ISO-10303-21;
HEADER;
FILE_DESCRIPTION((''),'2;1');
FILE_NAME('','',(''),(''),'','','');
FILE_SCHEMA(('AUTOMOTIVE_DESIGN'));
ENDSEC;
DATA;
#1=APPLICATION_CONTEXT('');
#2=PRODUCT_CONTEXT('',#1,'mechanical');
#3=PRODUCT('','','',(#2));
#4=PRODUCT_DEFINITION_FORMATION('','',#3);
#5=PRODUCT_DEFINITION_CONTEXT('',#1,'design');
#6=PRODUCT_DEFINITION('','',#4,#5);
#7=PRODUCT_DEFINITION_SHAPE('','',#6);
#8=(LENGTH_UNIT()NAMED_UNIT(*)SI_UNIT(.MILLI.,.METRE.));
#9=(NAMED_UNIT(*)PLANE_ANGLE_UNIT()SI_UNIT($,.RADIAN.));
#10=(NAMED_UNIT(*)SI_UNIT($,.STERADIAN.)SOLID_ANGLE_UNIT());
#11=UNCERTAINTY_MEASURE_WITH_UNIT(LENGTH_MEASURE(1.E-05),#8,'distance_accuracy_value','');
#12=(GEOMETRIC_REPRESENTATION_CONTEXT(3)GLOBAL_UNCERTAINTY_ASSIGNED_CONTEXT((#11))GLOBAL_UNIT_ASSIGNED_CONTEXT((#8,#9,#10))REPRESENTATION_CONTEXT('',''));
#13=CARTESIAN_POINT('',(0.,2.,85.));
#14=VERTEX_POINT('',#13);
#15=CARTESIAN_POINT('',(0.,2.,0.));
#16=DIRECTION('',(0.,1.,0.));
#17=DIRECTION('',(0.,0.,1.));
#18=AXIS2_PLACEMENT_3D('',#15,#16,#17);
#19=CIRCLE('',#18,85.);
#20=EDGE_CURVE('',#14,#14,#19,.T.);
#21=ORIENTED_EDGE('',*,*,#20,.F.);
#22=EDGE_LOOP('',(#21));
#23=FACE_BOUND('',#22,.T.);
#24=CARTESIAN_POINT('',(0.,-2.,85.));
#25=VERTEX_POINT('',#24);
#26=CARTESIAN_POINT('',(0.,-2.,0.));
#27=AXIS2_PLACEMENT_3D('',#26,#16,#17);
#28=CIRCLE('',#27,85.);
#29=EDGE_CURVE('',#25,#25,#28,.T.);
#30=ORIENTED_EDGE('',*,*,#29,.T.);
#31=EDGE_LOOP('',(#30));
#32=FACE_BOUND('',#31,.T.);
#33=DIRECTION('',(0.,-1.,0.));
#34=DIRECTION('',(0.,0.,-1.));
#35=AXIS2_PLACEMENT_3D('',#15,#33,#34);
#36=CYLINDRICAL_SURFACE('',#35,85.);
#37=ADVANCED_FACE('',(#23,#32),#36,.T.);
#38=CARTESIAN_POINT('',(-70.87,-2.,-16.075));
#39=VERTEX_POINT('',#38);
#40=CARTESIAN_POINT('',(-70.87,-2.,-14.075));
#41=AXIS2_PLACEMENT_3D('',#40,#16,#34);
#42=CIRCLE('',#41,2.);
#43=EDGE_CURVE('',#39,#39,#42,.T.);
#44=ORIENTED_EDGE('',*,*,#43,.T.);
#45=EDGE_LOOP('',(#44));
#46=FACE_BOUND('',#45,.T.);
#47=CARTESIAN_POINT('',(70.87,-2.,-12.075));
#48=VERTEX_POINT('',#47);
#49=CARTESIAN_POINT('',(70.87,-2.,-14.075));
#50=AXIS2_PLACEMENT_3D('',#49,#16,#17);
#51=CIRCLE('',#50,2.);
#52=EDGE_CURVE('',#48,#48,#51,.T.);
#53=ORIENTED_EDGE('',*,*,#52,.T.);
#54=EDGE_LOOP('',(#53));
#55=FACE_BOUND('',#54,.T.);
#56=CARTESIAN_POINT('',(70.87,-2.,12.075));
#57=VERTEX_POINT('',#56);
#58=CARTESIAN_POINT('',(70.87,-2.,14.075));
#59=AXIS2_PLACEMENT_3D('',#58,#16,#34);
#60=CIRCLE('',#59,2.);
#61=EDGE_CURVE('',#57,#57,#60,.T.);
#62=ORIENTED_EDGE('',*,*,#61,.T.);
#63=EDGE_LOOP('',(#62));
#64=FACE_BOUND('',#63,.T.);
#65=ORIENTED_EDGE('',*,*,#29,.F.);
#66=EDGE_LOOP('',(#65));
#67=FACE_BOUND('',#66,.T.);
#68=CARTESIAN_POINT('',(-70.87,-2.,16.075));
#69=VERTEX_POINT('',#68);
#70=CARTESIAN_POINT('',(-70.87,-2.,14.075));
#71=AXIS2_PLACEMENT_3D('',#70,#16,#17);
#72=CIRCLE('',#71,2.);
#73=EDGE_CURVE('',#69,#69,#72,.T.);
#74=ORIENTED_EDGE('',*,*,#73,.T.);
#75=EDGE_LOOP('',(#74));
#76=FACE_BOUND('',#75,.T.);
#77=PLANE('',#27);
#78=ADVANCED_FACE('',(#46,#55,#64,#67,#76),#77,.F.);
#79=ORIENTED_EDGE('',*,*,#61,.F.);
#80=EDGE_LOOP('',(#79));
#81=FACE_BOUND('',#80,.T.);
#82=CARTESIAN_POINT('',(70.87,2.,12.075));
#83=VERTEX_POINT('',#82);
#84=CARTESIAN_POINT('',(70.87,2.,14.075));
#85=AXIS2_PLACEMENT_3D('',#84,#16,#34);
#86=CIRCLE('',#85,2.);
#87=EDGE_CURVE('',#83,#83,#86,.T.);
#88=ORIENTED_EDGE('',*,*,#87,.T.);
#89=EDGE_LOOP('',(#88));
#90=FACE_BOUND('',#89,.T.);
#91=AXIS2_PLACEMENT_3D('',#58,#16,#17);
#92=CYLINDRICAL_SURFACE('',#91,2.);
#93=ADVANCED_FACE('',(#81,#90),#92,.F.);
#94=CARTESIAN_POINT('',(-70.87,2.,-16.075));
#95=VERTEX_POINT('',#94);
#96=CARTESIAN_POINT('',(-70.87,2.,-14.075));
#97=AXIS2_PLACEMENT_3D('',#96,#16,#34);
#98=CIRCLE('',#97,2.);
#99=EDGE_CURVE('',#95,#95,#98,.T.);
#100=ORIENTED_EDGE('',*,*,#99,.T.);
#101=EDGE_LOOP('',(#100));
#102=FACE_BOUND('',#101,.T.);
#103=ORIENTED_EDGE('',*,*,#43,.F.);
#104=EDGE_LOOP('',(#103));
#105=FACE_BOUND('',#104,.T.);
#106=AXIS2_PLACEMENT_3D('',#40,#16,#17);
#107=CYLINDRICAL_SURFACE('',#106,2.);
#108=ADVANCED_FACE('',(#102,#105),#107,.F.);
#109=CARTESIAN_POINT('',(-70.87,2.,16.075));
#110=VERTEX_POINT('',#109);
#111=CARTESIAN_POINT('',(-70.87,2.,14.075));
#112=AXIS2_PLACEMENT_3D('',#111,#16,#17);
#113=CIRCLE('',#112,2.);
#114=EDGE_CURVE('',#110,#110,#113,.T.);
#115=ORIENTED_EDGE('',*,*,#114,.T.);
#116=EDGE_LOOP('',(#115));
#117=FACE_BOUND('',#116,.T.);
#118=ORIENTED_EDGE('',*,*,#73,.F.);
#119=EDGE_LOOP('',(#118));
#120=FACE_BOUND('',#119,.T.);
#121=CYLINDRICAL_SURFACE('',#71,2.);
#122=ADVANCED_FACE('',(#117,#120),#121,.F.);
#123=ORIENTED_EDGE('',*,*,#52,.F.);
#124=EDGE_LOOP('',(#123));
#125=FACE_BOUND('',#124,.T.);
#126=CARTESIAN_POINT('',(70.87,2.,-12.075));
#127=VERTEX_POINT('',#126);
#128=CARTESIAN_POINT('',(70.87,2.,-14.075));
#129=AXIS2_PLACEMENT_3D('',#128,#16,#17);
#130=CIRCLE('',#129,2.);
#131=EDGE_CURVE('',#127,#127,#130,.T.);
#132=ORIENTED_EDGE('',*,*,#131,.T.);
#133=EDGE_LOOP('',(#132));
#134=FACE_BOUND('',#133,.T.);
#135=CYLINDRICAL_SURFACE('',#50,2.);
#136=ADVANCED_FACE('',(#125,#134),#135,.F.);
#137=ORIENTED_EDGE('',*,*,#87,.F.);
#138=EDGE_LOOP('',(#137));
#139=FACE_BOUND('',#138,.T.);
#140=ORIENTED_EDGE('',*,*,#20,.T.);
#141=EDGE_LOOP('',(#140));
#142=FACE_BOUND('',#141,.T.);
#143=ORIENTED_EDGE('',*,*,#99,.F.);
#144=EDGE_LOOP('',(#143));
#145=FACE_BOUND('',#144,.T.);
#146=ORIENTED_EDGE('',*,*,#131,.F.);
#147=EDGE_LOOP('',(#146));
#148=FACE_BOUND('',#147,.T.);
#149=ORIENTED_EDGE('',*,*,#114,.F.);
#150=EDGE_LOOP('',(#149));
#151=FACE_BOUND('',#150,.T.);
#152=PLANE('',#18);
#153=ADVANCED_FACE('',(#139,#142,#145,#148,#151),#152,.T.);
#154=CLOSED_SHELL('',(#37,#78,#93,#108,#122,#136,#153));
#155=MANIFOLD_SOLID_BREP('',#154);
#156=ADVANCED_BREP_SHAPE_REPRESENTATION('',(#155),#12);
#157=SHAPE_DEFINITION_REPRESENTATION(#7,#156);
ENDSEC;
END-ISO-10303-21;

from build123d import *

# Parameters (mm, degrees)
SKETCH1_R           = 85
BOSS_EXTRUDE1_DEPTH = 2
SKETCH2_R           = 2
CUT_EXTRUDE1_DEPTH  = 121.274685616


with BuildPart() as part:
    # Sketch1 → Boss-Extrude1 (new, symmetric)
    with BuildSketch(Plane(origin=(0, 0, 0), x_dir=(1, 0, 0), z_dir=(0, 1, 0))):
        with Locations(Location((0, 0, 0), (0, 0, 270))):
            Circle(SKETCH1_R)
    extrude(amount=BOSS_EXTRUDE1_DEPTH, both=True)

    # Sketch2 → Cut-Extrude1 (cut, through all)
    with BuildSketch(Plane(origin=(0, 2, 0), x_dir=(1, 0, 0), z_dir=(0, 1, 0))):
        with Locations(Location((70.87, 14.075, 0), (0, 0, 270))):
            Circle(SKETCH2_R)
        with Locations(Location((70.87, -14.075, 0), (0, 0, 90))):
            Circle(SKETCH2_R)
        with Locations(Location((-70.87, -14.075, 0), (0, 0, 270))):
            Circle(SKETCH2_R)
        with Locations(Location((-70.87, 14.075, 0), (0, 0, 90))):
            Circle(SKETCH2_R)
    extrude(amount=-CUT_EXTRUDE1_DEPTH, mode=Mode.SUBTRACT)


solid = part.part
